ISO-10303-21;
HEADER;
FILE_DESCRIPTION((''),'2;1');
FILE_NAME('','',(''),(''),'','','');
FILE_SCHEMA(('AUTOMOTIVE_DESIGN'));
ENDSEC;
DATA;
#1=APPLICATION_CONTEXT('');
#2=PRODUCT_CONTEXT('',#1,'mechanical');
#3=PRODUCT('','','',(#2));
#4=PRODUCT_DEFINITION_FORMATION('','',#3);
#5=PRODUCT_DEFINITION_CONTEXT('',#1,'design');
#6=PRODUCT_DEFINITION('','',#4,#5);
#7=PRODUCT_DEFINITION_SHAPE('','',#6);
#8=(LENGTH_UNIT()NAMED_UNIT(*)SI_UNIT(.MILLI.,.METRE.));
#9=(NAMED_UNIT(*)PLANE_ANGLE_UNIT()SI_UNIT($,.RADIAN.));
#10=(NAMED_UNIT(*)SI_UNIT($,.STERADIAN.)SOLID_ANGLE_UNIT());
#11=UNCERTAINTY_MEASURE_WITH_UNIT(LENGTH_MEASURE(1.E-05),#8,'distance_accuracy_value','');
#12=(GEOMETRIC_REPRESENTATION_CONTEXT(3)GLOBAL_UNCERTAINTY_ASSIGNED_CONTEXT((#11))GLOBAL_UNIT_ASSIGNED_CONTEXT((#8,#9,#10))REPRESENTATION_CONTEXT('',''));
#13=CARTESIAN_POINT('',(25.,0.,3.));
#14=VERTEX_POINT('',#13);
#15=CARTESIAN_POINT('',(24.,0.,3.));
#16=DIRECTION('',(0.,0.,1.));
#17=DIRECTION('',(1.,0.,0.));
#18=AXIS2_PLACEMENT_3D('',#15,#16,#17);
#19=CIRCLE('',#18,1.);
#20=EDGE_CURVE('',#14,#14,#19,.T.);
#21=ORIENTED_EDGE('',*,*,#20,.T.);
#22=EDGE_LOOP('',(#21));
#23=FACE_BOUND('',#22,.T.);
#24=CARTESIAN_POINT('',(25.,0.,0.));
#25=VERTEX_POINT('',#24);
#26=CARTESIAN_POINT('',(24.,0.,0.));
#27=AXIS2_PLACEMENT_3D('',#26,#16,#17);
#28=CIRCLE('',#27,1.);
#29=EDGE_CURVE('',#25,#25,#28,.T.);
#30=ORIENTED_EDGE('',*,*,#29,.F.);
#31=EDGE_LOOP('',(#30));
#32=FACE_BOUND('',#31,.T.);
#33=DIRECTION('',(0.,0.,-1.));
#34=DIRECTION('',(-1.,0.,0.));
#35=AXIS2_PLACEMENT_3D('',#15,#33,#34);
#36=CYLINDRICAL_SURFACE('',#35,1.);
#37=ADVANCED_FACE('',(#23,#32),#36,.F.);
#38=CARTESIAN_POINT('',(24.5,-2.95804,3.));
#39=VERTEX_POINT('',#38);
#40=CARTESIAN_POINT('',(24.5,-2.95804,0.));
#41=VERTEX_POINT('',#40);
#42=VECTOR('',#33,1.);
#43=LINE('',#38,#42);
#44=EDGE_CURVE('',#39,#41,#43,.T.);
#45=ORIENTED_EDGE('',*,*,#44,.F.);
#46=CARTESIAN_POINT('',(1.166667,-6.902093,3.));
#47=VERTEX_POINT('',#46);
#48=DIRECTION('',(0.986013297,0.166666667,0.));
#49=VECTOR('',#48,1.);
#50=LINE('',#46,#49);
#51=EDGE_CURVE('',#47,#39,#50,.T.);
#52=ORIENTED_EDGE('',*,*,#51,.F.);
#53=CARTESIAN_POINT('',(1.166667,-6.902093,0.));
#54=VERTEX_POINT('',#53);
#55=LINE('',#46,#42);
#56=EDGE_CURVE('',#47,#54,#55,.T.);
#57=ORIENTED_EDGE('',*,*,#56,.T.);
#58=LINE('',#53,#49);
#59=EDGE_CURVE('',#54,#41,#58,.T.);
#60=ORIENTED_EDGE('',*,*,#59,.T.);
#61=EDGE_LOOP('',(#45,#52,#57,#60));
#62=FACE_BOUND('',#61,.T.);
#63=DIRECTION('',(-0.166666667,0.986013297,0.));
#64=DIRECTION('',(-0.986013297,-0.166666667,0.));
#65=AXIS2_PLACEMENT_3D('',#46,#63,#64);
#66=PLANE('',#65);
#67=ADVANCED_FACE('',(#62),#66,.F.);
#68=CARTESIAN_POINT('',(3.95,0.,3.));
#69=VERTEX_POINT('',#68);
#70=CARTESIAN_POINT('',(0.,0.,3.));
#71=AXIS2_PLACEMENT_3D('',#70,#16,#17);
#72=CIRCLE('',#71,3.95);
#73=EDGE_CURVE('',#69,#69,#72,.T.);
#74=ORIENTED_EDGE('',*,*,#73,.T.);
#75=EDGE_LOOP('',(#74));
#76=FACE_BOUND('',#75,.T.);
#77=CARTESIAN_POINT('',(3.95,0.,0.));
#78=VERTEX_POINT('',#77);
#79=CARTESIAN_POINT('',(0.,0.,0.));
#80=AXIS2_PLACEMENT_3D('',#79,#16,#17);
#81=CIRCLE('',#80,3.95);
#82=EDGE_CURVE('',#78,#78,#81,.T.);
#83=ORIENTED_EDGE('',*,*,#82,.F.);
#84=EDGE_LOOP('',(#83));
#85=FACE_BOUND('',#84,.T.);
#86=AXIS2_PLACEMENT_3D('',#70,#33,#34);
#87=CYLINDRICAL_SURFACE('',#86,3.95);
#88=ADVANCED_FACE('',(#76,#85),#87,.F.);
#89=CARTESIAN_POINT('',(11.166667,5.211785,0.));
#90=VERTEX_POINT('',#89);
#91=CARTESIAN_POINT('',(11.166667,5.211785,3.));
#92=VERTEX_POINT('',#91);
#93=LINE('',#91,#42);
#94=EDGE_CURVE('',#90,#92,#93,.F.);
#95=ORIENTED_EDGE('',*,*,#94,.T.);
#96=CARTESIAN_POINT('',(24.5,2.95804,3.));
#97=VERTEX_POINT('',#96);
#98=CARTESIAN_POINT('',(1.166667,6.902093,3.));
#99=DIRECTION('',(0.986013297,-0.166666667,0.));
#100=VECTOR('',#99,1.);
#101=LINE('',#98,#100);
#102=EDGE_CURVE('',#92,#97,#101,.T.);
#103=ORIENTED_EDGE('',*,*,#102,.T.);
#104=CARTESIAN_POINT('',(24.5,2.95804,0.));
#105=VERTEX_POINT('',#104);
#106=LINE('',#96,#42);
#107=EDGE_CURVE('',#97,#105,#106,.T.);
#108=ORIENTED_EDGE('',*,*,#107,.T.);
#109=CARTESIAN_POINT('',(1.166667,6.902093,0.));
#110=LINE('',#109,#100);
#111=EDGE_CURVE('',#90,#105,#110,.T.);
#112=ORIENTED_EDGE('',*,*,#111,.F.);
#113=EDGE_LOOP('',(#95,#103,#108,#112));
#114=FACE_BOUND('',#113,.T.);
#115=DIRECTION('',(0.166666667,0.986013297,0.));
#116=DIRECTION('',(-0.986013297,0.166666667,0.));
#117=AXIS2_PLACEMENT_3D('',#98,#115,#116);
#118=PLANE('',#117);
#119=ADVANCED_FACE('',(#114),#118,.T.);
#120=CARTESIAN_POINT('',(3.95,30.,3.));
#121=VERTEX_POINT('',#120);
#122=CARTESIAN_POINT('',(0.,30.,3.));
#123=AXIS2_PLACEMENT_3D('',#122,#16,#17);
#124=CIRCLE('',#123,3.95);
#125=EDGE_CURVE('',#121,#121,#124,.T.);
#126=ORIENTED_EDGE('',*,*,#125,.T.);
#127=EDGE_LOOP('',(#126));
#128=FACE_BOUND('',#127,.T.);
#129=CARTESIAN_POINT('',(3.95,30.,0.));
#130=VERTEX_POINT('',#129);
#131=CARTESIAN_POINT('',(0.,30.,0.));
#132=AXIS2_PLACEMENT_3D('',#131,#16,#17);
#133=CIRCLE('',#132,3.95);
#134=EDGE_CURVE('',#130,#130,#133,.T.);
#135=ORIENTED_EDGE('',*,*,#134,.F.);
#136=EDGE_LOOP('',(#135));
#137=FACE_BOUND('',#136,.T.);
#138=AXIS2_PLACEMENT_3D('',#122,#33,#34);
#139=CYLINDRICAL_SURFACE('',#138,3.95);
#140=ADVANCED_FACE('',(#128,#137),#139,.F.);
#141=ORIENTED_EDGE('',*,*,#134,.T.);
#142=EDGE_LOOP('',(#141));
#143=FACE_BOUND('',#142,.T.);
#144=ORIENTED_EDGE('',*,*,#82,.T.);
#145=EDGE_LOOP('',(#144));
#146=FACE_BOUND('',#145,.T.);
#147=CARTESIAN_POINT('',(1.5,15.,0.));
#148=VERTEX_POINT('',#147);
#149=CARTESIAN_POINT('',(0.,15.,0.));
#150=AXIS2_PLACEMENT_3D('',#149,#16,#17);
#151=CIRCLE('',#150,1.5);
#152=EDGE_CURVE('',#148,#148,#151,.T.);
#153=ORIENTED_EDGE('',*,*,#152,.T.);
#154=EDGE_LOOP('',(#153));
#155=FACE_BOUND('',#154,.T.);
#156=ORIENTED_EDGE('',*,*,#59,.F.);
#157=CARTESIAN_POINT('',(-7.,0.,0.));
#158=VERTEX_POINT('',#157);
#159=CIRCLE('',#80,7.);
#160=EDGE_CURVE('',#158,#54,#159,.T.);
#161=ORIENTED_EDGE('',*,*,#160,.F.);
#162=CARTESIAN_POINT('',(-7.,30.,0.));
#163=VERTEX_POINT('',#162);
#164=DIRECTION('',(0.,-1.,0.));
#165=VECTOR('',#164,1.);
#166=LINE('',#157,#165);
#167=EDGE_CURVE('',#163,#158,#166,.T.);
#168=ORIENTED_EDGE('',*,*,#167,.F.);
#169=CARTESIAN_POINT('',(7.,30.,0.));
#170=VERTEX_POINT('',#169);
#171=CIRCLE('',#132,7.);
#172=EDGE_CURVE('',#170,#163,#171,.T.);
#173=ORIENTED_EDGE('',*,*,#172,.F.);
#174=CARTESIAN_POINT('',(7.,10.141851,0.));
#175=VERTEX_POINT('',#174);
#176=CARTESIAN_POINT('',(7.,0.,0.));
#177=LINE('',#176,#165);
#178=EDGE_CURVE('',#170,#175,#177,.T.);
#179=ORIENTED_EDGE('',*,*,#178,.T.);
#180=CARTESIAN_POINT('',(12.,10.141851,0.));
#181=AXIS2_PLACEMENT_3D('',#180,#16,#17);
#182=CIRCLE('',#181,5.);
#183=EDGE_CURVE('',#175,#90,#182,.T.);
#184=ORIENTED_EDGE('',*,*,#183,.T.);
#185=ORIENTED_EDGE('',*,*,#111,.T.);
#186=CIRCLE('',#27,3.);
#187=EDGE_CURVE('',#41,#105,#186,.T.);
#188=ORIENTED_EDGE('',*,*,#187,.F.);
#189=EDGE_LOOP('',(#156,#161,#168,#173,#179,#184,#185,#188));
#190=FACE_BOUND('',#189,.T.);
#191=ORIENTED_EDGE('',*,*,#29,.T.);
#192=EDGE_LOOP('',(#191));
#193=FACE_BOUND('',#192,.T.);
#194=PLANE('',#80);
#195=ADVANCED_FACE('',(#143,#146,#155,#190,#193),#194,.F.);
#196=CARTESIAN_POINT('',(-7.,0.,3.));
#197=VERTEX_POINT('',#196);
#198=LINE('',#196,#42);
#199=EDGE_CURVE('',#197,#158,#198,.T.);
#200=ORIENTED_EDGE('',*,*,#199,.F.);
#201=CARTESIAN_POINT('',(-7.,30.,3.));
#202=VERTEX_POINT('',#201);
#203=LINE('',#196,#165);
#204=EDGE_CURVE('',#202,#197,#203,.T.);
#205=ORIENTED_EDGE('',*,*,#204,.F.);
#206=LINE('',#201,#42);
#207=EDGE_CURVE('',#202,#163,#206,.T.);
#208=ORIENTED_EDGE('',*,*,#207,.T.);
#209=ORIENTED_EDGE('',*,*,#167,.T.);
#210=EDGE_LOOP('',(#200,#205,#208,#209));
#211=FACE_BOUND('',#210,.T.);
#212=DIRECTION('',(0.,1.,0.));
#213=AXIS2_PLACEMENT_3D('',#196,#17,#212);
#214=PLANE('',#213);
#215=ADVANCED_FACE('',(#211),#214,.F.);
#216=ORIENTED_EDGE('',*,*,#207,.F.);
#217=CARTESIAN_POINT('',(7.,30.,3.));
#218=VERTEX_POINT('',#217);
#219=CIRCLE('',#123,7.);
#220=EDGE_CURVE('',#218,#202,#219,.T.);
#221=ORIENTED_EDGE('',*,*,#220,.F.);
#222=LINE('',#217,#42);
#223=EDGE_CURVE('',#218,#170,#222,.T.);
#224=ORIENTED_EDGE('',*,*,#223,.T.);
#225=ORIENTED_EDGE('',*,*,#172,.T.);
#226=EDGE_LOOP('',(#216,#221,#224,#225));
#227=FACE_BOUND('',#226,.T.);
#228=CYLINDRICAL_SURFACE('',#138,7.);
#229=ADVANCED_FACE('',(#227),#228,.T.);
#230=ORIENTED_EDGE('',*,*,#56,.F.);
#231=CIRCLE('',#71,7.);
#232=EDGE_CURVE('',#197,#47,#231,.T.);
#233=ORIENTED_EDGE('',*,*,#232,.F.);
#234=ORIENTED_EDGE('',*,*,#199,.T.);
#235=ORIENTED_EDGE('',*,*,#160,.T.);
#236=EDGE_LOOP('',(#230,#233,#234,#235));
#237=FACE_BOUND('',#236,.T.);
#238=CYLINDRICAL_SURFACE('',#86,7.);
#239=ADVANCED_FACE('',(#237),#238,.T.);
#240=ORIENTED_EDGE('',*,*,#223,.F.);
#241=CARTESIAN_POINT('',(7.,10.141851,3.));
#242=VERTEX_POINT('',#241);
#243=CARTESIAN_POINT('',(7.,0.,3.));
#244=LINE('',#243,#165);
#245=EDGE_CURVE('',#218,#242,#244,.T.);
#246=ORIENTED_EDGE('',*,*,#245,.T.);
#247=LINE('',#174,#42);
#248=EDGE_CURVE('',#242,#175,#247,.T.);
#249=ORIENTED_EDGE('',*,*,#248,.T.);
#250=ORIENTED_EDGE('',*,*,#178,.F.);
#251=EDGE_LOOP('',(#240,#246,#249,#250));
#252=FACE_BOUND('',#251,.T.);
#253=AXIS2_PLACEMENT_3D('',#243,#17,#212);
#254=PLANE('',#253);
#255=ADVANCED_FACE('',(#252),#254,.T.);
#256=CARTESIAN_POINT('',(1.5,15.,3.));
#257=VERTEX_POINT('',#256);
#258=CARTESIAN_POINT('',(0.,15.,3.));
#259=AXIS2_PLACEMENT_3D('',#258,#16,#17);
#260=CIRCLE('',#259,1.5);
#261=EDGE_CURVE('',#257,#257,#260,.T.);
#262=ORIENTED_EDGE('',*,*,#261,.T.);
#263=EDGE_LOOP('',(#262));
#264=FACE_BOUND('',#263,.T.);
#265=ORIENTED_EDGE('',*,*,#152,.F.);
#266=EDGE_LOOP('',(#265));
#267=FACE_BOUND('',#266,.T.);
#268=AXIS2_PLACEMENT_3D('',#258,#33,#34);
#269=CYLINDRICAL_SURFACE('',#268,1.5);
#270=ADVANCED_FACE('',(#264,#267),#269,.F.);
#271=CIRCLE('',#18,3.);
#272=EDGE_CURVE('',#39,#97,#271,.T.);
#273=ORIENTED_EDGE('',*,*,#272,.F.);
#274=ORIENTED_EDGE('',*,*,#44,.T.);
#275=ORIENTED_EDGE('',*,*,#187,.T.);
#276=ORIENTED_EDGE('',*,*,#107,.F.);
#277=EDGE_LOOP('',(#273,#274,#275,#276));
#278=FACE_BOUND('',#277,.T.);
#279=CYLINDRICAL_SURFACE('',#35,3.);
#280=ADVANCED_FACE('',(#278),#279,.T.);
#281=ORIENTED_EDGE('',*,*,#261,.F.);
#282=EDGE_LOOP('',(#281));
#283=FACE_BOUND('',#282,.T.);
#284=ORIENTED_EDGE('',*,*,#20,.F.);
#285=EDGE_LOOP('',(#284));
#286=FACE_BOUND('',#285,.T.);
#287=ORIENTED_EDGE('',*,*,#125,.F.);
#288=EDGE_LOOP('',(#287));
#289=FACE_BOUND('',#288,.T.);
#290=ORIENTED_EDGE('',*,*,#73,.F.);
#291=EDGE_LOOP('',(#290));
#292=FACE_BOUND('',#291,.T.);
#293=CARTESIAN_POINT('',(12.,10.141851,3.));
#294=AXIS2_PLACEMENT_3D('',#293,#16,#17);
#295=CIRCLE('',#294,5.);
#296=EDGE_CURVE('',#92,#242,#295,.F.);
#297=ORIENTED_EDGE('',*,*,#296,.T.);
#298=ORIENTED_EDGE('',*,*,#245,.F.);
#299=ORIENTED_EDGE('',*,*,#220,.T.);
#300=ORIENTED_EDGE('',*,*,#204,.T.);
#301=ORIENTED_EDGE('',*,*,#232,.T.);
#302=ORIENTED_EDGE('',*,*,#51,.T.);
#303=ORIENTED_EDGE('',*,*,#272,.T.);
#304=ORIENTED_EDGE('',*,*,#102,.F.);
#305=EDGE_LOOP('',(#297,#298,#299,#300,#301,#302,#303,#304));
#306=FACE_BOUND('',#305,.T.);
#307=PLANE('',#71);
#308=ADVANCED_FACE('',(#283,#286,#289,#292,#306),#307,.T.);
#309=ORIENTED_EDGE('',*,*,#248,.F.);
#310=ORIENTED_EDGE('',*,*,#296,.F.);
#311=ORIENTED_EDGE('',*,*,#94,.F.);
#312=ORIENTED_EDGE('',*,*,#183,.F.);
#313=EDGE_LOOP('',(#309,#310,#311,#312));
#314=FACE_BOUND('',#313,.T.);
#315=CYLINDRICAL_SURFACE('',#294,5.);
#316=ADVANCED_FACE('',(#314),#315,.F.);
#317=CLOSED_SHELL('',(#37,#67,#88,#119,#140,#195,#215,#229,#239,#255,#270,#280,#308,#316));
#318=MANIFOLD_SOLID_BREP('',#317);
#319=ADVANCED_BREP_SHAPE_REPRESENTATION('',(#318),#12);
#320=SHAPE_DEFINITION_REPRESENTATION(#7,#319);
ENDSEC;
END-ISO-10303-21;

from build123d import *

# Parameters (mm, degrees)
SKETCH_1_R      = 3.95
SKETCH_1_R_2    = 1.5
SKETCH_1_R_3    = 1
EXTRUDE_1_DEPTH = 3
FILLET_1_R      = 5


with BuildPart() as part:
    # 草图1 → 凸台-拉伸1 (new body)
    with BuildSketch(Plane.XY):
        with BuildLine():
            Line((7, 5.916079783), (7, 30))
            ThreePointArc((7, 30), (0, 37), (-7, 30))
            Line((-7, 30), (-7, 0))
            ThreePointArc((-7, 0), (-4.518480571, -5.346338311), (1.166666667, -6.90209308))
            Line((1.166666667, -6.90209308), (24.5, -2.958039892))
            ThreePointArc((24.5, -2.958039892), (27, 0), (24.5, 2.958039892))
            Line((24.5, 2.958039892), (7, 5.916079783))
        make_face()
        Circle(SKETCH_1_R, mode=Mode.SUBTRACT)
        with Locations((0, 15)):
            Circle(SKETCH_1_R_2, mode=Mode.SUBTRACT)
        with Locations((0, 30)):
            Circle(SKETCH_1_R, mode=Mode.SUBTRACT)
        with Locations((24, 0)):
            Circle(SKETCH_1_R_3, mode=Mode.SUBTRACT)
    extrude(amount=EXTRUDE_1_DEPTH)

    # 圆角1
    fillet_1_edges = [part.edges().sort_by_distance(p)[0] for p in [
        (7, 5.916079783, 1.5),
    ]]
    fillet(fillet_1_edges, radius=FILLET_1_R)


solid = part.part
